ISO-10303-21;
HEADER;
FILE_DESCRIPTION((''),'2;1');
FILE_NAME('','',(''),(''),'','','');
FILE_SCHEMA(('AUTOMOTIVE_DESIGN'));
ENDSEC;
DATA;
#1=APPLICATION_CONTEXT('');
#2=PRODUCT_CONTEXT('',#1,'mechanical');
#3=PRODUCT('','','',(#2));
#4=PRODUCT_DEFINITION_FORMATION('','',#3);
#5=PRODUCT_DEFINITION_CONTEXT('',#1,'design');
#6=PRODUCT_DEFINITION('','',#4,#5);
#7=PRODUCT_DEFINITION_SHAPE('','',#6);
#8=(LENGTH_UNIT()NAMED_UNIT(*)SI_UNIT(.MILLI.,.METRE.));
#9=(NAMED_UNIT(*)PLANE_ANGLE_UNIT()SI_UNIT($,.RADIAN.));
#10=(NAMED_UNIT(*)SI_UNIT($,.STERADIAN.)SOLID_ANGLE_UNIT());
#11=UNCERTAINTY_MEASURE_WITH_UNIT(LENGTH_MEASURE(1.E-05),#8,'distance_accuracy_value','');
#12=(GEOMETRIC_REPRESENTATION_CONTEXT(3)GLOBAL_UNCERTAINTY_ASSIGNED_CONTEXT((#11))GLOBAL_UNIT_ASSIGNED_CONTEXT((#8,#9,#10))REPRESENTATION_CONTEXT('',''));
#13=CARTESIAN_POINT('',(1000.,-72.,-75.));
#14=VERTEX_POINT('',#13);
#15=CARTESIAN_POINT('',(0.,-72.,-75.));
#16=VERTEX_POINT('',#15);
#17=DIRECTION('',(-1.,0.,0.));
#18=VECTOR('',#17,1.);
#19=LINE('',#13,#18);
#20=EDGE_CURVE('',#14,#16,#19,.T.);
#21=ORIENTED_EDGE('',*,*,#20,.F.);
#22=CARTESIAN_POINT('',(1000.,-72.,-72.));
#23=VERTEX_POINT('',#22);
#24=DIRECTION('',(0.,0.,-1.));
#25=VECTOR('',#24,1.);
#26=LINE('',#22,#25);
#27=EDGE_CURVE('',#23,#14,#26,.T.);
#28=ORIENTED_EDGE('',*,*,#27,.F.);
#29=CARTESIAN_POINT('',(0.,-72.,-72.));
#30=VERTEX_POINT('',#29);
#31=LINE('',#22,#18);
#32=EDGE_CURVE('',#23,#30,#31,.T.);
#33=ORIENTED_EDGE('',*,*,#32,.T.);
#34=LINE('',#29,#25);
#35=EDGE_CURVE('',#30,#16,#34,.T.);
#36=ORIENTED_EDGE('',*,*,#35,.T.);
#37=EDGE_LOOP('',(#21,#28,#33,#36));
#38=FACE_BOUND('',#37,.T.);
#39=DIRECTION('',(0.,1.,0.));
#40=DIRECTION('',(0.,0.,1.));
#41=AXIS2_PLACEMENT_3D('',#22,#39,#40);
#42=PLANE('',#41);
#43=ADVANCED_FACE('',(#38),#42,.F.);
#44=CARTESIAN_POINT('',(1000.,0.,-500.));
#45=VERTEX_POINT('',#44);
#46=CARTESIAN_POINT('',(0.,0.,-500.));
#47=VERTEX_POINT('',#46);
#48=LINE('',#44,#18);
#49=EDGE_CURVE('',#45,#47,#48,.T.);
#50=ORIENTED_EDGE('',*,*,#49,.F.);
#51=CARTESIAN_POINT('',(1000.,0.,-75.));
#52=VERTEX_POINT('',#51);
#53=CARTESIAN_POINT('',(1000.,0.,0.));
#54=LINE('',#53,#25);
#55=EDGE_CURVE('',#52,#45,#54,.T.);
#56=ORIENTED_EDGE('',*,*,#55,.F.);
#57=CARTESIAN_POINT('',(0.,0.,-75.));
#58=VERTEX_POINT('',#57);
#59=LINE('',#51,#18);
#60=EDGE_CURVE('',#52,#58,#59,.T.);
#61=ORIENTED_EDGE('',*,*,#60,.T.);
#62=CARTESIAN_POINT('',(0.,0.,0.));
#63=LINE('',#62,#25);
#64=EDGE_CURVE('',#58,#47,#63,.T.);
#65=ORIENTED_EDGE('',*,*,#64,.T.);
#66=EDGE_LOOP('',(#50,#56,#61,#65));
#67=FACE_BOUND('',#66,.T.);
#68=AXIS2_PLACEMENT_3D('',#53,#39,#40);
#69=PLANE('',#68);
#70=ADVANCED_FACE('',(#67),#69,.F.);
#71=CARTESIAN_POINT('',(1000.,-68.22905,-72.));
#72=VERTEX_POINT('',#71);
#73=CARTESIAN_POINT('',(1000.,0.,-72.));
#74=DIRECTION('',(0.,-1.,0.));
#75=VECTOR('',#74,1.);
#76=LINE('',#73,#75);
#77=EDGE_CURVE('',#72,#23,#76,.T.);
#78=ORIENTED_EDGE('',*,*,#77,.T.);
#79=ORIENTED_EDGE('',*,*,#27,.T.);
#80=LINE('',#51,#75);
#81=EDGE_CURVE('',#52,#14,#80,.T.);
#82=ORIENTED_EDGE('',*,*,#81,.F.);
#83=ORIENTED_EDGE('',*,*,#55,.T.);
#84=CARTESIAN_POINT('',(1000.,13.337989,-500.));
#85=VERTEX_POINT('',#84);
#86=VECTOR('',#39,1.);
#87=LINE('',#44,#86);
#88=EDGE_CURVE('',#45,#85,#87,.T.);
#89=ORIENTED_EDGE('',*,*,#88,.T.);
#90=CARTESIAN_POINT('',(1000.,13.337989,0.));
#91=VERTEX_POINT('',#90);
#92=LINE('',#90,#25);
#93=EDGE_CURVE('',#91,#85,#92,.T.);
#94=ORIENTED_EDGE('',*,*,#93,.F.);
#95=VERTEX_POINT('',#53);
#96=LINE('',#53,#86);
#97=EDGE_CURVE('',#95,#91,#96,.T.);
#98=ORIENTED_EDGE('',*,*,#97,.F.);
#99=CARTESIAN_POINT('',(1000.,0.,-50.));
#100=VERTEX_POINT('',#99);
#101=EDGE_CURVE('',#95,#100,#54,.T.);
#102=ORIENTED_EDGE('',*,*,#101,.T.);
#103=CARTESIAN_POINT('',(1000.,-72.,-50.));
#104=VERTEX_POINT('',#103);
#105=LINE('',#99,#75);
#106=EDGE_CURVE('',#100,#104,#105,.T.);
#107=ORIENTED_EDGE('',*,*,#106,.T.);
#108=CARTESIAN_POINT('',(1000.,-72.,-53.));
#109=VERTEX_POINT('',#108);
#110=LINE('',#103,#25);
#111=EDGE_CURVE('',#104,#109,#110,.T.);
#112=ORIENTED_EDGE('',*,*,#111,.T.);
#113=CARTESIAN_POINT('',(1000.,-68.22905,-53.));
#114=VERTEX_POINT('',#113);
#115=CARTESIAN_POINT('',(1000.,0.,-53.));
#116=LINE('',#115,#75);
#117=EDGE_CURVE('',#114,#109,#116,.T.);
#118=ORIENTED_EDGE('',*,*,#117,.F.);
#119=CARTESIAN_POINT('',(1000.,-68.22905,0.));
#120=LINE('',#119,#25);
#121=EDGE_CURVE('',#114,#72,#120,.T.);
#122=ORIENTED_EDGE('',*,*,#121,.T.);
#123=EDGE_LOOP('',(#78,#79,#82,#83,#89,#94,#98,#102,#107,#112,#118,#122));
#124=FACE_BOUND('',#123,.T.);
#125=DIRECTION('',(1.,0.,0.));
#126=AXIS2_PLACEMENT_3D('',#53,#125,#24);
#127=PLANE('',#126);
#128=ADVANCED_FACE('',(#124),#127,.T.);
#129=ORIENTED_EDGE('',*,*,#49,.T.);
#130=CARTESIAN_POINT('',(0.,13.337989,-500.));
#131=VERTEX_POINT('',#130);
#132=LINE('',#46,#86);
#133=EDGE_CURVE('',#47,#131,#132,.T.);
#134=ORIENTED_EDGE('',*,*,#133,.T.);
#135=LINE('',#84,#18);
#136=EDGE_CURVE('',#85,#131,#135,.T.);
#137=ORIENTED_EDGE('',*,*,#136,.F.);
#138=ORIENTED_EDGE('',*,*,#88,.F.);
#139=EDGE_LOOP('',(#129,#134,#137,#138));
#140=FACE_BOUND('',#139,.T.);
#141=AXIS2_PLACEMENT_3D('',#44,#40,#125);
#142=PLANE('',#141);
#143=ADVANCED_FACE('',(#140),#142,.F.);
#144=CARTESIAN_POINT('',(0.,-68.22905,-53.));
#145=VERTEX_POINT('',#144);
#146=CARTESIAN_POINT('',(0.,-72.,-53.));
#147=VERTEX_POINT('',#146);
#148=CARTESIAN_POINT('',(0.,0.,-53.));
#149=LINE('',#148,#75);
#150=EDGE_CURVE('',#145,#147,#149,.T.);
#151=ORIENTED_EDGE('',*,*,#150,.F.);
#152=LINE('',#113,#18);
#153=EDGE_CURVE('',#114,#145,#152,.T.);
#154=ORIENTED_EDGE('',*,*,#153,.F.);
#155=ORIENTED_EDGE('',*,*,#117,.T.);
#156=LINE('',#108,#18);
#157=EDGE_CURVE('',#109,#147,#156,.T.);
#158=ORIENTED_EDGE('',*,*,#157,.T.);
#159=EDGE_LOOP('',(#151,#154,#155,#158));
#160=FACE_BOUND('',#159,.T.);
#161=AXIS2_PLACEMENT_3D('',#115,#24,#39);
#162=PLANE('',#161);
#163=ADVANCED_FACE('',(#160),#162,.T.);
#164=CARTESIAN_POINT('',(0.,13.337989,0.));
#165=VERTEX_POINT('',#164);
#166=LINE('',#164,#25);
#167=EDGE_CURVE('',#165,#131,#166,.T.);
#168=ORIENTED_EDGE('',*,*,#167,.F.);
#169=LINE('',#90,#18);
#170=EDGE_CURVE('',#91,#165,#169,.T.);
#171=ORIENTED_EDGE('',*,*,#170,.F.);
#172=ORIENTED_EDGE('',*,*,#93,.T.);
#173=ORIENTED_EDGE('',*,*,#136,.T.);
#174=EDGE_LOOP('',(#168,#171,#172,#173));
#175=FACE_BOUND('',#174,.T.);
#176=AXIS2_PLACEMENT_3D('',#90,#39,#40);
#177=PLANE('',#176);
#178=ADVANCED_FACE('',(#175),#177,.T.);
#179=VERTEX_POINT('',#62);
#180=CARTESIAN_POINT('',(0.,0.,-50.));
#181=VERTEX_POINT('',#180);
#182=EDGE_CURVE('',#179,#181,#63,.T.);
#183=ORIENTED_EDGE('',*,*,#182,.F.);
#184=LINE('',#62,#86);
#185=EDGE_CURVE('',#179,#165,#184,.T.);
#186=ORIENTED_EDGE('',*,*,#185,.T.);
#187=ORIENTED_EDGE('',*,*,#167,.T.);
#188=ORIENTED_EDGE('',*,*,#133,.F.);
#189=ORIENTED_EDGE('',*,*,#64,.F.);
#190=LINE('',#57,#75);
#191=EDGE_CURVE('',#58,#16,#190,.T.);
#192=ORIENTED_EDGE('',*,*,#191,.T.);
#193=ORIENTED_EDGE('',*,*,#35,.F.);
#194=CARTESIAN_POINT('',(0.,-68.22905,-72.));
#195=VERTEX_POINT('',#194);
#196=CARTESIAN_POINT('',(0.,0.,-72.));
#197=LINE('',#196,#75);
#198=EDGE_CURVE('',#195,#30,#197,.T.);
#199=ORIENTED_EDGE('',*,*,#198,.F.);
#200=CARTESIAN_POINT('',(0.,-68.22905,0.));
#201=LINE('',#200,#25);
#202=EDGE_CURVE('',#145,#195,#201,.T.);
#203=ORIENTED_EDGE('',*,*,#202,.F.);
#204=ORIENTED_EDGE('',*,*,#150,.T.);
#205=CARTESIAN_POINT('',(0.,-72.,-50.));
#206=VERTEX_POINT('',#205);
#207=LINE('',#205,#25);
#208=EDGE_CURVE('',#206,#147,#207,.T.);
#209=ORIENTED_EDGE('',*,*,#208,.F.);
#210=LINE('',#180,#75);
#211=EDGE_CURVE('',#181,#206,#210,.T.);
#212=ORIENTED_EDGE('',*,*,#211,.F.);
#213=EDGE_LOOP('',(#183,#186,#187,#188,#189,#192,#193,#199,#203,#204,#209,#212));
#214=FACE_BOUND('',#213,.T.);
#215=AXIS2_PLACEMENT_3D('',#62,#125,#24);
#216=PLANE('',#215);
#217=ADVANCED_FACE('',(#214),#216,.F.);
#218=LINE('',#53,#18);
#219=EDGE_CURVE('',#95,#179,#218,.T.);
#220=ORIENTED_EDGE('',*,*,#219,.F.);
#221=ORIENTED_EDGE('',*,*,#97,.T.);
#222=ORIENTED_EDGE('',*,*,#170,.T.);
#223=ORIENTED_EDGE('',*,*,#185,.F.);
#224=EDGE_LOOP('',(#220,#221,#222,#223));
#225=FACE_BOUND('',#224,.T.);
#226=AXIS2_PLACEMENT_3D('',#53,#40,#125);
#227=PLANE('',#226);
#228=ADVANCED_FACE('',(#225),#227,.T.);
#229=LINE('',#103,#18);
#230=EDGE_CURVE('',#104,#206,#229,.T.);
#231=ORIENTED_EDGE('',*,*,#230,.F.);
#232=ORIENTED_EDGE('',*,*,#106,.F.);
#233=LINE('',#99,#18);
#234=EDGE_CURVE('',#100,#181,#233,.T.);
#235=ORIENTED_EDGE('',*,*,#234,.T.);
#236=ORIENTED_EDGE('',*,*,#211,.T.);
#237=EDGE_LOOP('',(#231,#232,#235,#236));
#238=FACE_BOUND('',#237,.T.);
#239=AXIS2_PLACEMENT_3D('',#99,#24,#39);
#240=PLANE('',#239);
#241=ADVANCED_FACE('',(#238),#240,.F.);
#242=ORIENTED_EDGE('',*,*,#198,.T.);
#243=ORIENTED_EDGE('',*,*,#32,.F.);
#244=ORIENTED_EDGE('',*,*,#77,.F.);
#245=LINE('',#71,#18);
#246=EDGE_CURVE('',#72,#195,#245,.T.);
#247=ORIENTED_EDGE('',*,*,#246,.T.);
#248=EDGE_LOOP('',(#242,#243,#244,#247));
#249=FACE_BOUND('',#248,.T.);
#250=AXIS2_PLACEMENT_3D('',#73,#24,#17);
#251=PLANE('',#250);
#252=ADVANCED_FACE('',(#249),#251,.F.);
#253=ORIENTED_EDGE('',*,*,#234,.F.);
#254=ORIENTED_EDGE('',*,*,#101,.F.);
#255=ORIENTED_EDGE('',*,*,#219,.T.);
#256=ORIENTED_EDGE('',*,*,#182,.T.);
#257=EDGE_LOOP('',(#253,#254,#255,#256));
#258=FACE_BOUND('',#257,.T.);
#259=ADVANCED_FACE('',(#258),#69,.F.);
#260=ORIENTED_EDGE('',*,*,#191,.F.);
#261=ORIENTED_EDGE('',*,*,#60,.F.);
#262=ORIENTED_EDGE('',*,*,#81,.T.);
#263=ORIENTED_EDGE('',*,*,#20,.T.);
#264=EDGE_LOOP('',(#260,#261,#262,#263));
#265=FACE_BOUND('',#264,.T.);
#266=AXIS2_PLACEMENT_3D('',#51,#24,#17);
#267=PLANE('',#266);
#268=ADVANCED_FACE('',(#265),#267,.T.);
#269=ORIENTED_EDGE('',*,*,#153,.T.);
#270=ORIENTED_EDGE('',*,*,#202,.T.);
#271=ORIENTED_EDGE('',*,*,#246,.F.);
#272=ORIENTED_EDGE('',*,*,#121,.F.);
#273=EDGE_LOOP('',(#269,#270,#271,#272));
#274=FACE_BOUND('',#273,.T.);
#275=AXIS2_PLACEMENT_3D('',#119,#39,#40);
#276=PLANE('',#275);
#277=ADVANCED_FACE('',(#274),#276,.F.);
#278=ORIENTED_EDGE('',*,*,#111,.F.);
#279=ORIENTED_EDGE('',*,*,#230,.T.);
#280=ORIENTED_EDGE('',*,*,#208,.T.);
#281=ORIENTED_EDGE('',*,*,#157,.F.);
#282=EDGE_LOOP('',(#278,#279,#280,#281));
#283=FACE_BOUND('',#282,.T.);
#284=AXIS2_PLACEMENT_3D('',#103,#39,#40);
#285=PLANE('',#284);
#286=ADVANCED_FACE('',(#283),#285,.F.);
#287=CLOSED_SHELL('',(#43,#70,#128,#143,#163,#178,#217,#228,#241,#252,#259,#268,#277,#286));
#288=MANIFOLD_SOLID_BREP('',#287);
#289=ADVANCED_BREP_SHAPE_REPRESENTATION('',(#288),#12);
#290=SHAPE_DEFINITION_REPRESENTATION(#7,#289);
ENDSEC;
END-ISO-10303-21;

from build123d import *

# Parameters (mm, degrees)
SKETCH1_W           = 19
SKETCH1_H           = 68.229050279
BOSS_EXTRUDE1_DEPTH = 1000


with BuildPart() as part:
    # Sketch1 → Boss-Extrude1 (new body)
    with BuildSketch(Plane(origin=(0, 0, 0), x_dir=(0, 0, -1), z_dir=(1, 0, 0))):
        Polygon((0, 13.337988827), (0, 0), (50, 0), (53, 0), (72, 0), (75, 0), (500, 0), (500, 13.337988827), align=None)
        Polygon((53, 0), (50, 0), (50, -72), (53, -72), (53, -68.229050279), align=None)
        with Locations((62.5, -34.11452514)):
            Rectangle(SKETCH1_W, SKETCH1_H)
        Polygon((75, 0), (72, 0), (72, -68.229050279), (72, -72), (75, -72), align=None)
    extrude(amount=BOSS_EXTRUDE1_DEPTH)


solid = part.part
